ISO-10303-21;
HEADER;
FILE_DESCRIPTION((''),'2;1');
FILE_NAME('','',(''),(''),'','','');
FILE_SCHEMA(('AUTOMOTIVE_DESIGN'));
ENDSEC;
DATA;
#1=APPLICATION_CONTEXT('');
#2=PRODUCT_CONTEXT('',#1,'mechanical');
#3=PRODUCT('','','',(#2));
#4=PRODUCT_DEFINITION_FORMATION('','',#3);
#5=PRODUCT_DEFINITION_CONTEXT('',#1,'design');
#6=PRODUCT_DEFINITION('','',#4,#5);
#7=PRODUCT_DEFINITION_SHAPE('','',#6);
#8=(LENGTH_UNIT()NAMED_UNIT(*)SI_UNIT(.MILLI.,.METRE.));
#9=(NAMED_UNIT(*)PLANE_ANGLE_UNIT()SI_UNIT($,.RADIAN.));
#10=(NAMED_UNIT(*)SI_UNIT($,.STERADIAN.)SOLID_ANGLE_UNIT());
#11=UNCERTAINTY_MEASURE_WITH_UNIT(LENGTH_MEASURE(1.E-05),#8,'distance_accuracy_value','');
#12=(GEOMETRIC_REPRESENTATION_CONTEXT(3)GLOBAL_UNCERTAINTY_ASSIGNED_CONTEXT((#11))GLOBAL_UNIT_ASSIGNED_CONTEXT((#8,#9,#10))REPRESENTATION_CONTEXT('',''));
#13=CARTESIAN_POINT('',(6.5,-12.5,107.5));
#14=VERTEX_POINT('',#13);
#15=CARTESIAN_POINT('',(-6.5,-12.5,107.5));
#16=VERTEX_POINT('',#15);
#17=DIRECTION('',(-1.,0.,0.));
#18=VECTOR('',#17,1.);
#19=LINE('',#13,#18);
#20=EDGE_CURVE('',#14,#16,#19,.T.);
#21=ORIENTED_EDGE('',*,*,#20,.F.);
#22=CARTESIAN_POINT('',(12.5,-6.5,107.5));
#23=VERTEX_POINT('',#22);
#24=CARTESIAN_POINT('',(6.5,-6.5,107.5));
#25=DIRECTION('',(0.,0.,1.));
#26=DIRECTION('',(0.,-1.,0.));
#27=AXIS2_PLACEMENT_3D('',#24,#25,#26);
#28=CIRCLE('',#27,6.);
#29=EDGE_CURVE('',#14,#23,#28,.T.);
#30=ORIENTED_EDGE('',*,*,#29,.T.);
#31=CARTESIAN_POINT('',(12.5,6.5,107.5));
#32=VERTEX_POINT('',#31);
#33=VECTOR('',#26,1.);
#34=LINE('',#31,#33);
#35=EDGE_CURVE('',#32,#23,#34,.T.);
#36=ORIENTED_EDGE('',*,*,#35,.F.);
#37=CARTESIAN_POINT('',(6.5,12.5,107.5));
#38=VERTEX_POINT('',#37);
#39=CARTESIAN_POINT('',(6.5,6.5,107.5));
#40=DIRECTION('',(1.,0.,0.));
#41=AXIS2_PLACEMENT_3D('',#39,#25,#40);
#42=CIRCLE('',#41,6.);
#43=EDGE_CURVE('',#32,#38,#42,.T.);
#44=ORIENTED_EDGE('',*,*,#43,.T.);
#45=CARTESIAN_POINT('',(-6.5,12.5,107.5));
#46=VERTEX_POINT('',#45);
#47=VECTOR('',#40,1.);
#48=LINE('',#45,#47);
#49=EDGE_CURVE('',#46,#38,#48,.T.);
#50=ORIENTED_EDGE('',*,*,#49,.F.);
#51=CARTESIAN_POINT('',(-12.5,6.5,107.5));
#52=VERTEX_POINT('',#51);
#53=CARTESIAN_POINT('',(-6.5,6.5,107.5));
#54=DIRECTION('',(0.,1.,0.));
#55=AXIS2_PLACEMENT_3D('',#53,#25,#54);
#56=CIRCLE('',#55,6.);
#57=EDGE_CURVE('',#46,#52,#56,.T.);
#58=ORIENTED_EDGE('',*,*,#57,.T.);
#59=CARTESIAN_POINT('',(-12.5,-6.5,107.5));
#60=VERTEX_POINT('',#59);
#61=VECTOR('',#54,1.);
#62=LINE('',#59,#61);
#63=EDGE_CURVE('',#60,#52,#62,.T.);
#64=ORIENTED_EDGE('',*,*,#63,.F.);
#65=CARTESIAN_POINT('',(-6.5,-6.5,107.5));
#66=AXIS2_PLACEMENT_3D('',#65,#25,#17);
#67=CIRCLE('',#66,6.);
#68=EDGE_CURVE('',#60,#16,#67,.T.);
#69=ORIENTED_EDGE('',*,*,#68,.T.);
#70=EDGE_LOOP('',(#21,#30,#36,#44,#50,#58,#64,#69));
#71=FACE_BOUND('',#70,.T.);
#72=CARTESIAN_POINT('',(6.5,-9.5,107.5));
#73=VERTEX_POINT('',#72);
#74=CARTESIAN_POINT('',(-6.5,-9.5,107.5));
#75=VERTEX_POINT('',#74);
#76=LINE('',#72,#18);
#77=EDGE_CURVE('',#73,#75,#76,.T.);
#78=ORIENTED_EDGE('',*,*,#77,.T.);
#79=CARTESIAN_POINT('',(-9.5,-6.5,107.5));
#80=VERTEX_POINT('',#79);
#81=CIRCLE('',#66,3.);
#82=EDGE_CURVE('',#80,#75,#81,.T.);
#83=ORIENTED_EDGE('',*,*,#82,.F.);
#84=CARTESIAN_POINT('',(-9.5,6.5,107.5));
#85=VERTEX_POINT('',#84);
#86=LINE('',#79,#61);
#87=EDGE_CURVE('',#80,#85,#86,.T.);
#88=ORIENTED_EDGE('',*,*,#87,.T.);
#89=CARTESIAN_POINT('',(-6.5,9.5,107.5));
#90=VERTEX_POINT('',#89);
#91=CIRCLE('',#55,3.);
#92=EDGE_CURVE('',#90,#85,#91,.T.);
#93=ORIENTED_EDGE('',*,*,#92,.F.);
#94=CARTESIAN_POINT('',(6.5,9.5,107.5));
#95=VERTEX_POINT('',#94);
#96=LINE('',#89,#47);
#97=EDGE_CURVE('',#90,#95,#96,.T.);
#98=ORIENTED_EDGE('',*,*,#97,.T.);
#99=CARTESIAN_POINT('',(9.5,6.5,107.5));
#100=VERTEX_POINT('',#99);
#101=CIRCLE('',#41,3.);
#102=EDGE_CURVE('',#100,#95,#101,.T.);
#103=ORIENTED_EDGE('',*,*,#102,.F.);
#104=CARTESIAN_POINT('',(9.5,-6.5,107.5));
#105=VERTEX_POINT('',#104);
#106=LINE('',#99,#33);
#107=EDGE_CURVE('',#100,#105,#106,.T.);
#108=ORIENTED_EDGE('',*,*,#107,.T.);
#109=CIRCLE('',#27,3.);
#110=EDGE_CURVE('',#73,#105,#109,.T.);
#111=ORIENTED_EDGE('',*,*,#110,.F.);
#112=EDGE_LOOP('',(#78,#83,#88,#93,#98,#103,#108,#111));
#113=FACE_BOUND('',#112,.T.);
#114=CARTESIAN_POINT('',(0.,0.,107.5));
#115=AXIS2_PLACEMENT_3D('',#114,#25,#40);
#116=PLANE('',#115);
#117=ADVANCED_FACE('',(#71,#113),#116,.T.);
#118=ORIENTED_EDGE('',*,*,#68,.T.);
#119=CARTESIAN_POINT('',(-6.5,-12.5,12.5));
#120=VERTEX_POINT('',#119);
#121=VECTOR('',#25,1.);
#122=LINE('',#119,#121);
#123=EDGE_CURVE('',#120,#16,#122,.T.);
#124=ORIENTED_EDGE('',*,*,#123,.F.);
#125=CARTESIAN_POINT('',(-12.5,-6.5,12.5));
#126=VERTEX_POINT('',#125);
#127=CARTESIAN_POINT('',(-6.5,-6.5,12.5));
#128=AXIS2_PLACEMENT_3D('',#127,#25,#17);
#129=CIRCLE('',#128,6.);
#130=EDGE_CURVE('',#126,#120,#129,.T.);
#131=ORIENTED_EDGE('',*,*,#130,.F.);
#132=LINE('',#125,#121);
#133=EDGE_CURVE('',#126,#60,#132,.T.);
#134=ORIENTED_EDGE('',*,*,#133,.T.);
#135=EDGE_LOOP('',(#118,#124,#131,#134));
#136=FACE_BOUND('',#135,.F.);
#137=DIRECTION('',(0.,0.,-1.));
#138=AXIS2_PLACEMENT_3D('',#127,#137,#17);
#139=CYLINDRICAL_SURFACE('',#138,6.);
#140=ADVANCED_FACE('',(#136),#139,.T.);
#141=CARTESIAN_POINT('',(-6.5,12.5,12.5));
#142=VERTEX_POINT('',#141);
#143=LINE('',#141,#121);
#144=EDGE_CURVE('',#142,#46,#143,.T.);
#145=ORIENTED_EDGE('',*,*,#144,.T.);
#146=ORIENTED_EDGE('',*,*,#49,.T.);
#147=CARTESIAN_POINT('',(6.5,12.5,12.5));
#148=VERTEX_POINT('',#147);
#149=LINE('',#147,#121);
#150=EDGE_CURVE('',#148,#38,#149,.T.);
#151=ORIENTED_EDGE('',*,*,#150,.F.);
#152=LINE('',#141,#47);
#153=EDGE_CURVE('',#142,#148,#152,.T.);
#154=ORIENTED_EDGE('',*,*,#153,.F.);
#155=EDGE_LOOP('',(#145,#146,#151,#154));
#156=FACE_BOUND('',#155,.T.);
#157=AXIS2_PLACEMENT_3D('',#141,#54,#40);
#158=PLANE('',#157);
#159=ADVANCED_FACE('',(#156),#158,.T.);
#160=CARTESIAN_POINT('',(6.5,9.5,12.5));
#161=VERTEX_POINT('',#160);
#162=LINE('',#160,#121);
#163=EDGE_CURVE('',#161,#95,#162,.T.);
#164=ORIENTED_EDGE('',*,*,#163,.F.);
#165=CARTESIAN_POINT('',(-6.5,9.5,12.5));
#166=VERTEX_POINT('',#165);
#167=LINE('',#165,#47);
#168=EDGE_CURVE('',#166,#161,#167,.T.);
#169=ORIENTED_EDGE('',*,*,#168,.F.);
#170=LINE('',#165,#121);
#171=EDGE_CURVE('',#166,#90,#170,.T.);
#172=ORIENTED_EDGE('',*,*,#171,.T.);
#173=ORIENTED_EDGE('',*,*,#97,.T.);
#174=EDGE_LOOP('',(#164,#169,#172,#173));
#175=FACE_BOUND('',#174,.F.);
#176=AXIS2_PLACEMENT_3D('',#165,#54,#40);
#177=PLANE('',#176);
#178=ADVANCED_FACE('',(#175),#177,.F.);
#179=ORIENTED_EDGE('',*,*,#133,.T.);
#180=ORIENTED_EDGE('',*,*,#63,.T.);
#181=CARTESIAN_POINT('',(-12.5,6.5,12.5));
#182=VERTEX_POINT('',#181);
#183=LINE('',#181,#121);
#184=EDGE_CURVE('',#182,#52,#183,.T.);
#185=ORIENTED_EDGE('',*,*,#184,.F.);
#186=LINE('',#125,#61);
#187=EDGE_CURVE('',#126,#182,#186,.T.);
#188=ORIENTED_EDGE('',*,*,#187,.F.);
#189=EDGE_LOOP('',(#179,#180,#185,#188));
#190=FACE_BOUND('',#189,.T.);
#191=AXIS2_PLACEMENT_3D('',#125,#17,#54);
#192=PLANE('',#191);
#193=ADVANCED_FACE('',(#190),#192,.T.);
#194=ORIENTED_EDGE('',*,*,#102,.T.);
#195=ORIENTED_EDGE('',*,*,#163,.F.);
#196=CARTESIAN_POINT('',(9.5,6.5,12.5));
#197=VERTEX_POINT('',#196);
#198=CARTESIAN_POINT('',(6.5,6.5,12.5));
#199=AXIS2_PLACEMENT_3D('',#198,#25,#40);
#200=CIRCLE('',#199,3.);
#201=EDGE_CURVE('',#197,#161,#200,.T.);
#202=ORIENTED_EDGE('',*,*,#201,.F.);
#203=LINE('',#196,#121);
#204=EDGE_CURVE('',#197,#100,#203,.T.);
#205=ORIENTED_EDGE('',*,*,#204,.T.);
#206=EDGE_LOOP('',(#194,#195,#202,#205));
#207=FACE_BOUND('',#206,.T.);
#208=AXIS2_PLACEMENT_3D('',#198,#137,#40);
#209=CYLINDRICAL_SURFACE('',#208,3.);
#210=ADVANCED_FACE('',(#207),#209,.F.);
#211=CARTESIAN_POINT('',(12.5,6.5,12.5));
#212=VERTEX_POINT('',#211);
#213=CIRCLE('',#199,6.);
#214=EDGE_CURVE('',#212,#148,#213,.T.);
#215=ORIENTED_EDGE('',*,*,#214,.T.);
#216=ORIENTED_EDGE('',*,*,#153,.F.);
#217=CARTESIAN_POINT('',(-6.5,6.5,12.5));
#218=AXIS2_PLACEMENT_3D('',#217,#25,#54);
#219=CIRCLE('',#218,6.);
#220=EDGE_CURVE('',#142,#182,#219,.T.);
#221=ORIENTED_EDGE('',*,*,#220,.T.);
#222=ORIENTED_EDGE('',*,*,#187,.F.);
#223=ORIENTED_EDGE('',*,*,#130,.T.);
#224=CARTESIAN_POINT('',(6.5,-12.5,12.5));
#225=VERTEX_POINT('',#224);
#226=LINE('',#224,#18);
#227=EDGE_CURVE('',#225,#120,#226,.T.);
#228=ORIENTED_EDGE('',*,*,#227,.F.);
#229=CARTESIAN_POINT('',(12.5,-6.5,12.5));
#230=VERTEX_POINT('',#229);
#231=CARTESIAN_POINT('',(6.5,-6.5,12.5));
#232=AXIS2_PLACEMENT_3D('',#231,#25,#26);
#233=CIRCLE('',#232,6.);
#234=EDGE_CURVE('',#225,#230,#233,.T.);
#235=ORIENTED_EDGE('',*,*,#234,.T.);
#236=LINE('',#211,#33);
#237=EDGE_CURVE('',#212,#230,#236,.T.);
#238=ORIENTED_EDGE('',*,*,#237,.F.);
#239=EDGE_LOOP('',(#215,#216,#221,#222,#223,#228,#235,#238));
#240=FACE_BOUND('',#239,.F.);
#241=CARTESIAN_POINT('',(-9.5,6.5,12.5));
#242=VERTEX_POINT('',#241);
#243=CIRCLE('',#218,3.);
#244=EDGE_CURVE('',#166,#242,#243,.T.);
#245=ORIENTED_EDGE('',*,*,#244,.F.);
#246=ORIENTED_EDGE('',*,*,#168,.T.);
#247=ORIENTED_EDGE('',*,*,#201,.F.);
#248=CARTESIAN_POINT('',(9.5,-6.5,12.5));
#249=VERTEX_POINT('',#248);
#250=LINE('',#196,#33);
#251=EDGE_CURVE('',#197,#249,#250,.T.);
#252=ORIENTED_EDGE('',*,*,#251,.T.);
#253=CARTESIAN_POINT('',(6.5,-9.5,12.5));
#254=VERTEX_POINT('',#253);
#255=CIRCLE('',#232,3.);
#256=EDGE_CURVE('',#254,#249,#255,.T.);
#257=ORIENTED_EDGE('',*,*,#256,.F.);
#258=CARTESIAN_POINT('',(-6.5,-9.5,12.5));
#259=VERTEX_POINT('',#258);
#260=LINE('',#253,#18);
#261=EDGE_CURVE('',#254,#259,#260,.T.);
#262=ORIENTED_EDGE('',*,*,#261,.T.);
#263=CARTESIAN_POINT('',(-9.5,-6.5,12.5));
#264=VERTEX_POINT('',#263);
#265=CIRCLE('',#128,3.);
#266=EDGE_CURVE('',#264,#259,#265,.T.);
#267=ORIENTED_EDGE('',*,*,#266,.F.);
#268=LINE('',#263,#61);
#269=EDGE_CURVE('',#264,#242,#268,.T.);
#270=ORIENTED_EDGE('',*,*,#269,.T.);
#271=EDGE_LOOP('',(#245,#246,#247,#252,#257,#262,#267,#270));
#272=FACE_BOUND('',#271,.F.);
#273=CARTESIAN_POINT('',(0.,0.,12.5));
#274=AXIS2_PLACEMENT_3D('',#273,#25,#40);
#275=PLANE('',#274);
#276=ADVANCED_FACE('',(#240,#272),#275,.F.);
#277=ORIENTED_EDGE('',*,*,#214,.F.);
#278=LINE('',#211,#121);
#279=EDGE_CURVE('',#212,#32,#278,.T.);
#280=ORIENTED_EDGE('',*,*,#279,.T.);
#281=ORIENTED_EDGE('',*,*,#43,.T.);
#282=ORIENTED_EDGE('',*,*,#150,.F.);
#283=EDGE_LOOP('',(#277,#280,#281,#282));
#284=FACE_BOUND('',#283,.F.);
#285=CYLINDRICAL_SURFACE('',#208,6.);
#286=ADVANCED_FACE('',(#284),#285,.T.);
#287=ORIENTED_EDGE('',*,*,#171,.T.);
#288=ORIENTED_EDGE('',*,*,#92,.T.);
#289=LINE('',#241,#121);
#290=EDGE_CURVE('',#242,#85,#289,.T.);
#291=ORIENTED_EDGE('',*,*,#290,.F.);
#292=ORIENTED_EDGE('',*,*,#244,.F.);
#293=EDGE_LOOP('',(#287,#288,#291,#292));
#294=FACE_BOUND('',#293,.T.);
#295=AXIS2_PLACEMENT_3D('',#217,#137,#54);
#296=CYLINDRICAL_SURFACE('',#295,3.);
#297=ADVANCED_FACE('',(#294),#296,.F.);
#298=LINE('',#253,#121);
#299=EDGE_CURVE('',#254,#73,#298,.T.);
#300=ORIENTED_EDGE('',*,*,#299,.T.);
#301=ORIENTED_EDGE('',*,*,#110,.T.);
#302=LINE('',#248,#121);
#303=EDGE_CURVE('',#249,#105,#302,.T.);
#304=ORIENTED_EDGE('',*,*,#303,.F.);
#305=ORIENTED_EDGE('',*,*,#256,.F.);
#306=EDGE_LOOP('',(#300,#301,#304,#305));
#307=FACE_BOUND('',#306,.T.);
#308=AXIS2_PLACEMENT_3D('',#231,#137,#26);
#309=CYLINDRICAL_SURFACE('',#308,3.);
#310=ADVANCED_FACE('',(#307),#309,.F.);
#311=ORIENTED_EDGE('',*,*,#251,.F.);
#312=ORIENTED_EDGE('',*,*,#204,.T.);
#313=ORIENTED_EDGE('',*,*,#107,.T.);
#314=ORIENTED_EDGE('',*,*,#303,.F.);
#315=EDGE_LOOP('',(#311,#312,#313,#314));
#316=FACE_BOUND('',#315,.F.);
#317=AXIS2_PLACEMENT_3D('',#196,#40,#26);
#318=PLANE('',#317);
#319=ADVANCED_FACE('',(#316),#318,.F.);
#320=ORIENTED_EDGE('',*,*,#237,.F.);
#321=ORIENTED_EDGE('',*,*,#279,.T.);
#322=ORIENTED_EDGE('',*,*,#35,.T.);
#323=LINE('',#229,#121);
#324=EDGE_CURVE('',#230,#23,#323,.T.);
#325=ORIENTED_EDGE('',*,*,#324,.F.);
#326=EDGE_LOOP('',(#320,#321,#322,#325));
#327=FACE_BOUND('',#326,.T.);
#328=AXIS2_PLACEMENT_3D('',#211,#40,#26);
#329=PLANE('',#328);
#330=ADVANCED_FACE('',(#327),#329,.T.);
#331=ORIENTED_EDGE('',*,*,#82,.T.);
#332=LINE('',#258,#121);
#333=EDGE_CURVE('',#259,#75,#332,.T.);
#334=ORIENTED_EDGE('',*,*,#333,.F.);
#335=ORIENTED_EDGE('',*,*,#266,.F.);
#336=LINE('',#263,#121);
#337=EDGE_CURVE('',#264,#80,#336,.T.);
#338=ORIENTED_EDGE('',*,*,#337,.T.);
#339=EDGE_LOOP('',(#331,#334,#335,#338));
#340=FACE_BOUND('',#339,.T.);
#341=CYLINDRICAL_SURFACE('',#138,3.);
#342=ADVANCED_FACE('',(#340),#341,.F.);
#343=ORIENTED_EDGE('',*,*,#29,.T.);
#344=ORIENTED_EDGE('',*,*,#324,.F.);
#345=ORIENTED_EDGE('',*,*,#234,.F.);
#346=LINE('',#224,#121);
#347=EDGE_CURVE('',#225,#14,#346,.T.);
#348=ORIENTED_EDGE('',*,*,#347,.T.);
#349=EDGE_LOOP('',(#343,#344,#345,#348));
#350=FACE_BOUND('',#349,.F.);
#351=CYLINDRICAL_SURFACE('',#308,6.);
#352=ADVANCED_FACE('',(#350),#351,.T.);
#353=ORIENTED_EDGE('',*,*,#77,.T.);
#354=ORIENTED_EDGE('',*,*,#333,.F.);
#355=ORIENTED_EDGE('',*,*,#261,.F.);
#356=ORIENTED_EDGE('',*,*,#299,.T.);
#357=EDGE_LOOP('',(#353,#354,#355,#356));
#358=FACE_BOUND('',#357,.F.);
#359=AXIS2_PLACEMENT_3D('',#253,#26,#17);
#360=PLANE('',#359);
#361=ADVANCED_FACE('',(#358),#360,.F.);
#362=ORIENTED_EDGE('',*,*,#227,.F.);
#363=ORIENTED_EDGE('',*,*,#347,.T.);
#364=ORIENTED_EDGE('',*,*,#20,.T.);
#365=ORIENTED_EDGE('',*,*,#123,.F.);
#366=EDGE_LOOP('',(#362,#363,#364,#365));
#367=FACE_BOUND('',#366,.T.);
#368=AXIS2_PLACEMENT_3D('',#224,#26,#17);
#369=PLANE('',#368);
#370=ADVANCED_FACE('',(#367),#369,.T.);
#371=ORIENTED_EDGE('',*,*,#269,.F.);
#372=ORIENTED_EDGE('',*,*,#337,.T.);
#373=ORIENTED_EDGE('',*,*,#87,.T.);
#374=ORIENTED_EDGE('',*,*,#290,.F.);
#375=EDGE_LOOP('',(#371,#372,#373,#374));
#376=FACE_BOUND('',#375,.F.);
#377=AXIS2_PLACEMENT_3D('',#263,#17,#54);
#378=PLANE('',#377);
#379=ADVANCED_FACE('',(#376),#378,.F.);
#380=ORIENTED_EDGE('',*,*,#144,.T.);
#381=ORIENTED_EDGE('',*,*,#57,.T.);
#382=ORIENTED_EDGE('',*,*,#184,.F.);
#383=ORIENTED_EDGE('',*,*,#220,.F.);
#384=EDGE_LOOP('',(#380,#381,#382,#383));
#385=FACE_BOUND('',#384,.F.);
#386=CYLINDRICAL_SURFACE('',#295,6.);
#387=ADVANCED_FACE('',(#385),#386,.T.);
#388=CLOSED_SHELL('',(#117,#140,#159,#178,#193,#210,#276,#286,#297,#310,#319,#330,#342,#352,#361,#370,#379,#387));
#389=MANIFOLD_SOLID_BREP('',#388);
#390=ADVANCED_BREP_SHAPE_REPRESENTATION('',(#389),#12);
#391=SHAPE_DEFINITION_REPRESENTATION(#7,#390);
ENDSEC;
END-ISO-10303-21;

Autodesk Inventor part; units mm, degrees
ref_plane "Start plane" through (0, 0, 12.5) normal (0, 0, 1) x (1, 0, 0)
ref_plane "End plane" through (0, 0, 107.5) normal (0, 0, 1) x (1, 0, 0)
sketch "Sketch" plane through (0, 0, 0) normal (0, 0, 1) x (1, 0, 0)
  line L0 (-12.5, -6.5) -> (-12.5, 6.5)
  line L1 (-6.5, 12.5) -> (6.5, 12.5)
  line L2 (12.5, 6.5) -> (12.5, -6.5)
  line L3 (6.5, -12.5) -> (-6.5, -12.5)
  arc A0 (-12.5, -6.5) -> (-6.5, -12.5) centre (-6.5, -6.5) ccw
  arc A1 (-6.5, 12.5) -> (-12.5, 6.5) centre (-6.5, 6.5) ccw
  arc A2 (12.5, 6.5) -> (6.5, 12.5) centre (6.5, 6.5) ccw
  arc A3 (6.5, -12.5) -> (12.5, -6.5) centre (6.5, -6.5) ccw
  arc A4 (-6.5, 9.5) -> (-9.5, 6.5) centre (-6.5, 6.5) ccw
  line L4 (-6.5, 9.5) -> (6.5, 9.5)
  arc A5 (9.5, 6.5) -> (6.5, 9.5) centre (6.5, 6.5) ccw
  line L5 (9.5, 6.5) -> (9.5, -6.5)
  arc A6 (6.5, -9.5) -> (9.5, -6.5) centre (6.5, -6.5) ccw
  line L6 (6.5, -9.5) -> (-6.5, -9.5)
  arc A7 (-9.5, -6.5) -> (-6.5, -9.5) centre (-6.5, -6.5) ccw
  line L7 (-9.5, -6.5) -> (-9.5, 6.5)
  line L8 (0, 19.2397) -> (0, -19.2397) construction
  line L9 (-19.2397, 0) -> (19.2397, 0) construction
  dimension "d7" = 6
  dimension "d10" = 25
  dimension "d11" = 25
  dimension "d12" = 3
  dimension "d15" = 12.5
  dimension "d16" = 12.5
extrude "Body" add sketch "Sketch" along normal up to surface (95 mm away) from surface at 12.5
sketch "Sketch3" plane through (0, 0, 0) normal (0, 0, 1) x (1, 0, 0)
  line L0 (0, 0) -> (10, 0)
ref_plane "Work Plane3" through (0, 0, 0) normal (0, -1, 0) x (1, 0, 0)
sketch "Sketch4" plane through (0, 0, 0) normal (0, -1, 0) x (1, 0, 0)
  line L0 (-2, 12.5) -> (12, 12.5)
  line L1 (-2, 107.5) -> (12, 107.5)
  dimension "d18" = 95
ref_plane "Work Plane4" through (0, 0, 12.5) normal (0, 0, -1) x (-1, 0, 0)
split "Split1" plane through (0, 0, 12.5) removes the side toward (0, 0, -1)
ref_plane "Work Plane5" through (0, -12.5, 107.5) normal (0, 0, 1) x (1, 0, 0)
split "Split2" plane through (0, -12.5, 107.5) removes the side toward (0, 0, 1)
equation "\"d7\" = G_IR"
equation "\"d10\" = G_H"
equation "\"d11\" = G_W"
equation "\"d12\" = G_T"
equation "\"d15\" = 0.5 * d10"
equation "\"d16\" = 0.5 * d11"
equation "\"d3\" = G_L"
equation "\"G_W\" = 25"
equation "\"G_H\" = 25"
equation "\"G_T\" = 3"
equation "\"G_IR\" = 6"
equation "\"G_L\" = d18"
equation "\"G_OFFSET_START\" = -12.5"
equation "\"G_OFFSET_END\" = -17.5"
equation "\"d13\" = -G_OFFSET_START"
equation "\"d14\" = G_OFFSET_END + B_L"
equation "\"B_L\" = 125"
properties part number "AS 1163 - C350L0 25x25x3.0 SHS - 95" material "Steel, Mild"
